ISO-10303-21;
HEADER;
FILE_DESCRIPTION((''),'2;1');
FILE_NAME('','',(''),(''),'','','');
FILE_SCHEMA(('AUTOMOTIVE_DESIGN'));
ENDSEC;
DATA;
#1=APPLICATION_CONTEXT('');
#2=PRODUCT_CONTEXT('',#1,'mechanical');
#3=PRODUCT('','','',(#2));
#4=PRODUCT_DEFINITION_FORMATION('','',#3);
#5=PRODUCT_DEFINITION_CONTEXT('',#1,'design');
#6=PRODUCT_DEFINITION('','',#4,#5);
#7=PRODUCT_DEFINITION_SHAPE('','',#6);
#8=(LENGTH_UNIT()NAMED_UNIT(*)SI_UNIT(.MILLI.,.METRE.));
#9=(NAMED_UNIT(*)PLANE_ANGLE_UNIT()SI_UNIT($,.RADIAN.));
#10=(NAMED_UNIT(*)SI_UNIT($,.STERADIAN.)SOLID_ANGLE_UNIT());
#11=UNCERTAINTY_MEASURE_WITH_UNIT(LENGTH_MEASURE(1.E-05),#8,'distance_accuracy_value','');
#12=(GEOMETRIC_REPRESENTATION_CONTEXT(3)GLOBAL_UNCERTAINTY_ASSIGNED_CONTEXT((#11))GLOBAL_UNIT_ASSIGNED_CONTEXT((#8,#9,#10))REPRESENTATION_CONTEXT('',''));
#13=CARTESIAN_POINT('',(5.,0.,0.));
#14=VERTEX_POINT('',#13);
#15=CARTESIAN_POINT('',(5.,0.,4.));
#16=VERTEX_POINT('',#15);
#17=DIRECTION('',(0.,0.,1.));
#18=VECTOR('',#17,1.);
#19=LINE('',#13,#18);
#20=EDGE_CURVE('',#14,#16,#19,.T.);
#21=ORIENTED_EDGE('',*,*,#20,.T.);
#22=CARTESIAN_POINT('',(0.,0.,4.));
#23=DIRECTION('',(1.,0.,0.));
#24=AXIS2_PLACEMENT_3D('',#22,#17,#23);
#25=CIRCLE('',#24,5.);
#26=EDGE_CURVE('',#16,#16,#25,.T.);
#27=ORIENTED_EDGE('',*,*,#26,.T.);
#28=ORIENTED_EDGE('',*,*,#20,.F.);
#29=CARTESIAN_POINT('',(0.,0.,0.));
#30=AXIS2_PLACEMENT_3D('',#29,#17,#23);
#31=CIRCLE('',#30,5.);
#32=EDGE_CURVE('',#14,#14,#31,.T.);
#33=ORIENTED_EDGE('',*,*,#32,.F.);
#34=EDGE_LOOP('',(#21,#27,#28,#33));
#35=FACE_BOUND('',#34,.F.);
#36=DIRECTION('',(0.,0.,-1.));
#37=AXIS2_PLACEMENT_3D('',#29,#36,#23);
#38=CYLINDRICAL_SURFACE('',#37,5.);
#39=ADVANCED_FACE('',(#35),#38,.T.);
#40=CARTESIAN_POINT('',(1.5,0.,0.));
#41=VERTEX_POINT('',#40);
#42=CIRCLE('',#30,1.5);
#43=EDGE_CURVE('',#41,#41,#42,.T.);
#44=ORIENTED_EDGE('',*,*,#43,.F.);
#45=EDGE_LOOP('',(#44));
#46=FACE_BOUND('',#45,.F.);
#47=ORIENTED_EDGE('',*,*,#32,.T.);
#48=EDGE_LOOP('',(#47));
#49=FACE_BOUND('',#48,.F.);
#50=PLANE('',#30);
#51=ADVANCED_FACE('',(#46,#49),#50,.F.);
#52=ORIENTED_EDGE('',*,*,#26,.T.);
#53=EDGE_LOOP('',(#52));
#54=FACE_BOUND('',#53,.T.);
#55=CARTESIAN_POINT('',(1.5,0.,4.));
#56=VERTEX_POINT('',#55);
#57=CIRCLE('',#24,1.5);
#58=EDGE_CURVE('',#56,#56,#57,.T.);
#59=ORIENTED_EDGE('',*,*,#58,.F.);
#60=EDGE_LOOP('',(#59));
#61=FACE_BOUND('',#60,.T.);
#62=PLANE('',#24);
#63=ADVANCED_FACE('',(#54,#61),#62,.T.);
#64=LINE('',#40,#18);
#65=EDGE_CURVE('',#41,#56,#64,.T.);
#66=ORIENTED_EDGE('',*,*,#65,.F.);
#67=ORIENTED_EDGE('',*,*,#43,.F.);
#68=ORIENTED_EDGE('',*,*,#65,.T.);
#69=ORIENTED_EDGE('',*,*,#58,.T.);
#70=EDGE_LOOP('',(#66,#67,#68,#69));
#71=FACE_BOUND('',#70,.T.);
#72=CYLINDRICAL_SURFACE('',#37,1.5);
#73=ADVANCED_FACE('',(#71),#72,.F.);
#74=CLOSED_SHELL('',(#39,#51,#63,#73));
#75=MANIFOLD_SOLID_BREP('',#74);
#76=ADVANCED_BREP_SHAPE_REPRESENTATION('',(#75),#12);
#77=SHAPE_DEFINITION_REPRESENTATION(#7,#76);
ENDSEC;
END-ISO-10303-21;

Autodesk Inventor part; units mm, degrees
ref_plane "YZ Plane" through (0, 0, 0) normal (1, 0, 0) x (0, 1, 0)
ref_plane "XZ Plane" through (0, 0, 0) normal (0, 1, 0) x (-1, 0, 0)
ref_plane "XY Plane" through (0, 0, 0) normal (0, 0, 1) x (1, 0, 0)
sketch "Эскиз1" plane through (0, 0, 0) normal (0, 0, 1) x (1, 0, 0)
  circle A0 centre (0, 0) radius 5
  circle A1 centre (0, 0) radius 1.5
  dimension "d0" = 10
  dimension "d1" = 3
extrude "Выдавливание1" add sketch "Эскиз1" along normal blind 4
properties part number "Подшипник 3x10x4"
